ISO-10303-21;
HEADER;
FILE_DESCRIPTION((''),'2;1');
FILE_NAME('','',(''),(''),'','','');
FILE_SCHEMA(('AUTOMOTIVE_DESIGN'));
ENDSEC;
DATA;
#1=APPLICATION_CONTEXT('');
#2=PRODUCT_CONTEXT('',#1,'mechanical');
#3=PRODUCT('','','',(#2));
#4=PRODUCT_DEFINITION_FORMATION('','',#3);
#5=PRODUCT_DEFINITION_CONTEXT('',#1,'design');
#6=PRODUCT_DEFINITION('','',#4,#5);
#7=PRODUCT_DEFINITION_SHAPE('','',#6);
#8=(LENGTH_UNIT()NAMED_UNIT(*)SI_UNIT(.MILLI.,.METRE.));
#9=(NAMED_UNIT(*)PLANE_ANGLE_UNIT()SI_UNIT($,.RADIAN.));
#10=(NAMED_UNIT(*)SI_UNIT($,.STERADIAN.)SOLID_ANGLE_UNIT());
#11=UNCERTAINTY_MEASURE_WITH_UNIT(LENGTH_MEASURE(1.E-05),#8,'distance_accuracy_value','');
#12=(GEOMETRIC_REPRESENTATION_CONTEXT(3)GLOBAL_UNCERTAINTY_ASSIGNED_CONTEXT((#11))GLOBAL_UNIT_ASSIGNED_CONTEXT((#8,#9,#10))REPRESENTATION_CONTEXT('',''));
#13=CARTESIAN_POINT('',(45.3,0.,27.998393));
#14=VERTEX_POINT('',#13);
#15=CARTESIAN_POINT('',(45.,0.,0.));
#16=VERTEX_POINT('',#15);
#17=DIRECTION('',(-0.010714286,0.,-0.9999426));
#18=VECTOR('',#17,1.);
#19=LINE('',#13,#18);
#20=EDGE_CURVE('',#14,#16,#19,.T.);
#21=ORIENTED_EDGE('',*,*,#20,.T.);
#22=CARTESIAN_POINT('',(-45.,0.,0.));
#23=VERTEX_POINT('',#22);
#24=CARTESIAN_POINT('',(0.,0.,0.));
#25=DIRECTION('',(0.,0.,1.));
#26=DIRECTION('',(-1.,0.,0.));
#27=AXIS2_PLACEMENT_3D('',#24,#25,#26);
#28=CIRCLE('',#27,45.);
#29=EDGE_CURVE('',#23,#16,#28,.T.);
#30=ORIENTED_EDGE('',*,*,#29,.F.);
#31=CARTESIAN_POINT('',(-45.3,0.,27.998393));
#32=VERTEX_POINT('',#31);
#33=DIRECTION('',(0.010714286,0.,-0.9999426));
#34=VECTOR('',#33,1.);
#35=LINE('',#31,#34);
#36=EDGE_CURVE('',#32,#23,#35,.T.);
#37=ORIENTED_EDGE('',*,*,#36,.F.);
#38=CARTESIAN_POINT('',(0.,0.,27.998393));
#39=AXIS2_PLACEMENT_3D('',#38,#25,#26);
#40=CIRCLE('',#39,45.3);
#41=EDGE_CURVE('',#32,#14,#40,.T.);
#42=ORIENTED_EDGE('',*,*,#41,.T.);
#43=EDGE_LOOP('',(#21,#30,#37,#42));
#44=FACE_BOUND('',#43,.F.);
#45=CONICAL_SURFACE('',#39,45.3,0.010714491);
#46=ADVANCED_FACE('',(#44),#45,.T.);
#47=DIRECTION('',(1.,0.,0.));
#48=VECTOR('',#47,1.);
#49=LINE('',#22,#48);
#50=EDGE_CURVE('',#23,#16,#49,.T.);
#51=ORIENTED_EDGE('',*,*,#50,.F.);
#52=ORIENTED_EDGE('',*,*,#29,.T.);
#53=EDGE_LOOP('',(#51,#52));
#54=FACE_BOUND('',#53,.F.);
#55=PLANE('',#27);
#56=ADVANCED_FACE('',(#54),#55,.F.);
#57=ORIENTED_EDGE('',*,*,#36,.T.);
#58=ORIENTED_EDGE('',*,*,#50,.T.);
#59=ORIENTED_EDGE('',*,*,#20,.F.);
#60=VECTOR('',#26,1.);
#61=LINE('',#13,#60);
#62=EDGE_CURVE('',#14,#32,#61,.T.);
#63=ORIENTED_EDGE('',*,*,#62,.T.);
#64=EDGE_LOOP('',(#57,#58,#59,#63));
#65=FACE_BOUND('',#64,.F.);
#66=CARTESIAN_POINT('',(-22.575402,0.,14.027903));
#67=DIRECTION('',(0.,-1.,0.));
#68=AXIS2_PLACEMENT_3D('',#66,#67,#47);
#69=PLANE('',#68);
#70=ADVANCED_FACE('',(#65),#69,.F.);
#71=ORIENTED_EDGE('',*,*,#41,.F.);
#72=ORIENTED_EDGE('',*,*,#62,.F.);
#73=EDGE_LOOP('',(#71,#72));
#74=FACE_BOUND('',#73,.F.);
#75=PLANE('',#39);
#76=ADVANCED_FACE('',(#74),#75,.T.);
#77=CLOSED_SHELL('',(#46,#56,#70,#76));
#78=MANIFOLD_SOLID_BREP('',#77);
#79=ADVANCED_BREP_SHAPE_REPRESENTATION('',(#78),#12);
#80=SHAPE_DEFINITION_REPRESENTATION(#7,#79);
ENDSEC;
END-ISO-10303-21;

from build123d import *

# Parameters (mm, degrees)
F1_ANGLE = 180


with BuildPart() as f1:
    # F0 (on Front) → F1 (revolve)
    with BuildSketch(Plane.XZ):
        Polygon((-45.3, 27.998393), (-45, 0), (0, 0), (0, 27.998393), align=None)
    revolve(axis=Axis((0, 0, 9.555204), (0, 0, 1)), revolution_arc=F1_ANGLE)


solid = f1.part
